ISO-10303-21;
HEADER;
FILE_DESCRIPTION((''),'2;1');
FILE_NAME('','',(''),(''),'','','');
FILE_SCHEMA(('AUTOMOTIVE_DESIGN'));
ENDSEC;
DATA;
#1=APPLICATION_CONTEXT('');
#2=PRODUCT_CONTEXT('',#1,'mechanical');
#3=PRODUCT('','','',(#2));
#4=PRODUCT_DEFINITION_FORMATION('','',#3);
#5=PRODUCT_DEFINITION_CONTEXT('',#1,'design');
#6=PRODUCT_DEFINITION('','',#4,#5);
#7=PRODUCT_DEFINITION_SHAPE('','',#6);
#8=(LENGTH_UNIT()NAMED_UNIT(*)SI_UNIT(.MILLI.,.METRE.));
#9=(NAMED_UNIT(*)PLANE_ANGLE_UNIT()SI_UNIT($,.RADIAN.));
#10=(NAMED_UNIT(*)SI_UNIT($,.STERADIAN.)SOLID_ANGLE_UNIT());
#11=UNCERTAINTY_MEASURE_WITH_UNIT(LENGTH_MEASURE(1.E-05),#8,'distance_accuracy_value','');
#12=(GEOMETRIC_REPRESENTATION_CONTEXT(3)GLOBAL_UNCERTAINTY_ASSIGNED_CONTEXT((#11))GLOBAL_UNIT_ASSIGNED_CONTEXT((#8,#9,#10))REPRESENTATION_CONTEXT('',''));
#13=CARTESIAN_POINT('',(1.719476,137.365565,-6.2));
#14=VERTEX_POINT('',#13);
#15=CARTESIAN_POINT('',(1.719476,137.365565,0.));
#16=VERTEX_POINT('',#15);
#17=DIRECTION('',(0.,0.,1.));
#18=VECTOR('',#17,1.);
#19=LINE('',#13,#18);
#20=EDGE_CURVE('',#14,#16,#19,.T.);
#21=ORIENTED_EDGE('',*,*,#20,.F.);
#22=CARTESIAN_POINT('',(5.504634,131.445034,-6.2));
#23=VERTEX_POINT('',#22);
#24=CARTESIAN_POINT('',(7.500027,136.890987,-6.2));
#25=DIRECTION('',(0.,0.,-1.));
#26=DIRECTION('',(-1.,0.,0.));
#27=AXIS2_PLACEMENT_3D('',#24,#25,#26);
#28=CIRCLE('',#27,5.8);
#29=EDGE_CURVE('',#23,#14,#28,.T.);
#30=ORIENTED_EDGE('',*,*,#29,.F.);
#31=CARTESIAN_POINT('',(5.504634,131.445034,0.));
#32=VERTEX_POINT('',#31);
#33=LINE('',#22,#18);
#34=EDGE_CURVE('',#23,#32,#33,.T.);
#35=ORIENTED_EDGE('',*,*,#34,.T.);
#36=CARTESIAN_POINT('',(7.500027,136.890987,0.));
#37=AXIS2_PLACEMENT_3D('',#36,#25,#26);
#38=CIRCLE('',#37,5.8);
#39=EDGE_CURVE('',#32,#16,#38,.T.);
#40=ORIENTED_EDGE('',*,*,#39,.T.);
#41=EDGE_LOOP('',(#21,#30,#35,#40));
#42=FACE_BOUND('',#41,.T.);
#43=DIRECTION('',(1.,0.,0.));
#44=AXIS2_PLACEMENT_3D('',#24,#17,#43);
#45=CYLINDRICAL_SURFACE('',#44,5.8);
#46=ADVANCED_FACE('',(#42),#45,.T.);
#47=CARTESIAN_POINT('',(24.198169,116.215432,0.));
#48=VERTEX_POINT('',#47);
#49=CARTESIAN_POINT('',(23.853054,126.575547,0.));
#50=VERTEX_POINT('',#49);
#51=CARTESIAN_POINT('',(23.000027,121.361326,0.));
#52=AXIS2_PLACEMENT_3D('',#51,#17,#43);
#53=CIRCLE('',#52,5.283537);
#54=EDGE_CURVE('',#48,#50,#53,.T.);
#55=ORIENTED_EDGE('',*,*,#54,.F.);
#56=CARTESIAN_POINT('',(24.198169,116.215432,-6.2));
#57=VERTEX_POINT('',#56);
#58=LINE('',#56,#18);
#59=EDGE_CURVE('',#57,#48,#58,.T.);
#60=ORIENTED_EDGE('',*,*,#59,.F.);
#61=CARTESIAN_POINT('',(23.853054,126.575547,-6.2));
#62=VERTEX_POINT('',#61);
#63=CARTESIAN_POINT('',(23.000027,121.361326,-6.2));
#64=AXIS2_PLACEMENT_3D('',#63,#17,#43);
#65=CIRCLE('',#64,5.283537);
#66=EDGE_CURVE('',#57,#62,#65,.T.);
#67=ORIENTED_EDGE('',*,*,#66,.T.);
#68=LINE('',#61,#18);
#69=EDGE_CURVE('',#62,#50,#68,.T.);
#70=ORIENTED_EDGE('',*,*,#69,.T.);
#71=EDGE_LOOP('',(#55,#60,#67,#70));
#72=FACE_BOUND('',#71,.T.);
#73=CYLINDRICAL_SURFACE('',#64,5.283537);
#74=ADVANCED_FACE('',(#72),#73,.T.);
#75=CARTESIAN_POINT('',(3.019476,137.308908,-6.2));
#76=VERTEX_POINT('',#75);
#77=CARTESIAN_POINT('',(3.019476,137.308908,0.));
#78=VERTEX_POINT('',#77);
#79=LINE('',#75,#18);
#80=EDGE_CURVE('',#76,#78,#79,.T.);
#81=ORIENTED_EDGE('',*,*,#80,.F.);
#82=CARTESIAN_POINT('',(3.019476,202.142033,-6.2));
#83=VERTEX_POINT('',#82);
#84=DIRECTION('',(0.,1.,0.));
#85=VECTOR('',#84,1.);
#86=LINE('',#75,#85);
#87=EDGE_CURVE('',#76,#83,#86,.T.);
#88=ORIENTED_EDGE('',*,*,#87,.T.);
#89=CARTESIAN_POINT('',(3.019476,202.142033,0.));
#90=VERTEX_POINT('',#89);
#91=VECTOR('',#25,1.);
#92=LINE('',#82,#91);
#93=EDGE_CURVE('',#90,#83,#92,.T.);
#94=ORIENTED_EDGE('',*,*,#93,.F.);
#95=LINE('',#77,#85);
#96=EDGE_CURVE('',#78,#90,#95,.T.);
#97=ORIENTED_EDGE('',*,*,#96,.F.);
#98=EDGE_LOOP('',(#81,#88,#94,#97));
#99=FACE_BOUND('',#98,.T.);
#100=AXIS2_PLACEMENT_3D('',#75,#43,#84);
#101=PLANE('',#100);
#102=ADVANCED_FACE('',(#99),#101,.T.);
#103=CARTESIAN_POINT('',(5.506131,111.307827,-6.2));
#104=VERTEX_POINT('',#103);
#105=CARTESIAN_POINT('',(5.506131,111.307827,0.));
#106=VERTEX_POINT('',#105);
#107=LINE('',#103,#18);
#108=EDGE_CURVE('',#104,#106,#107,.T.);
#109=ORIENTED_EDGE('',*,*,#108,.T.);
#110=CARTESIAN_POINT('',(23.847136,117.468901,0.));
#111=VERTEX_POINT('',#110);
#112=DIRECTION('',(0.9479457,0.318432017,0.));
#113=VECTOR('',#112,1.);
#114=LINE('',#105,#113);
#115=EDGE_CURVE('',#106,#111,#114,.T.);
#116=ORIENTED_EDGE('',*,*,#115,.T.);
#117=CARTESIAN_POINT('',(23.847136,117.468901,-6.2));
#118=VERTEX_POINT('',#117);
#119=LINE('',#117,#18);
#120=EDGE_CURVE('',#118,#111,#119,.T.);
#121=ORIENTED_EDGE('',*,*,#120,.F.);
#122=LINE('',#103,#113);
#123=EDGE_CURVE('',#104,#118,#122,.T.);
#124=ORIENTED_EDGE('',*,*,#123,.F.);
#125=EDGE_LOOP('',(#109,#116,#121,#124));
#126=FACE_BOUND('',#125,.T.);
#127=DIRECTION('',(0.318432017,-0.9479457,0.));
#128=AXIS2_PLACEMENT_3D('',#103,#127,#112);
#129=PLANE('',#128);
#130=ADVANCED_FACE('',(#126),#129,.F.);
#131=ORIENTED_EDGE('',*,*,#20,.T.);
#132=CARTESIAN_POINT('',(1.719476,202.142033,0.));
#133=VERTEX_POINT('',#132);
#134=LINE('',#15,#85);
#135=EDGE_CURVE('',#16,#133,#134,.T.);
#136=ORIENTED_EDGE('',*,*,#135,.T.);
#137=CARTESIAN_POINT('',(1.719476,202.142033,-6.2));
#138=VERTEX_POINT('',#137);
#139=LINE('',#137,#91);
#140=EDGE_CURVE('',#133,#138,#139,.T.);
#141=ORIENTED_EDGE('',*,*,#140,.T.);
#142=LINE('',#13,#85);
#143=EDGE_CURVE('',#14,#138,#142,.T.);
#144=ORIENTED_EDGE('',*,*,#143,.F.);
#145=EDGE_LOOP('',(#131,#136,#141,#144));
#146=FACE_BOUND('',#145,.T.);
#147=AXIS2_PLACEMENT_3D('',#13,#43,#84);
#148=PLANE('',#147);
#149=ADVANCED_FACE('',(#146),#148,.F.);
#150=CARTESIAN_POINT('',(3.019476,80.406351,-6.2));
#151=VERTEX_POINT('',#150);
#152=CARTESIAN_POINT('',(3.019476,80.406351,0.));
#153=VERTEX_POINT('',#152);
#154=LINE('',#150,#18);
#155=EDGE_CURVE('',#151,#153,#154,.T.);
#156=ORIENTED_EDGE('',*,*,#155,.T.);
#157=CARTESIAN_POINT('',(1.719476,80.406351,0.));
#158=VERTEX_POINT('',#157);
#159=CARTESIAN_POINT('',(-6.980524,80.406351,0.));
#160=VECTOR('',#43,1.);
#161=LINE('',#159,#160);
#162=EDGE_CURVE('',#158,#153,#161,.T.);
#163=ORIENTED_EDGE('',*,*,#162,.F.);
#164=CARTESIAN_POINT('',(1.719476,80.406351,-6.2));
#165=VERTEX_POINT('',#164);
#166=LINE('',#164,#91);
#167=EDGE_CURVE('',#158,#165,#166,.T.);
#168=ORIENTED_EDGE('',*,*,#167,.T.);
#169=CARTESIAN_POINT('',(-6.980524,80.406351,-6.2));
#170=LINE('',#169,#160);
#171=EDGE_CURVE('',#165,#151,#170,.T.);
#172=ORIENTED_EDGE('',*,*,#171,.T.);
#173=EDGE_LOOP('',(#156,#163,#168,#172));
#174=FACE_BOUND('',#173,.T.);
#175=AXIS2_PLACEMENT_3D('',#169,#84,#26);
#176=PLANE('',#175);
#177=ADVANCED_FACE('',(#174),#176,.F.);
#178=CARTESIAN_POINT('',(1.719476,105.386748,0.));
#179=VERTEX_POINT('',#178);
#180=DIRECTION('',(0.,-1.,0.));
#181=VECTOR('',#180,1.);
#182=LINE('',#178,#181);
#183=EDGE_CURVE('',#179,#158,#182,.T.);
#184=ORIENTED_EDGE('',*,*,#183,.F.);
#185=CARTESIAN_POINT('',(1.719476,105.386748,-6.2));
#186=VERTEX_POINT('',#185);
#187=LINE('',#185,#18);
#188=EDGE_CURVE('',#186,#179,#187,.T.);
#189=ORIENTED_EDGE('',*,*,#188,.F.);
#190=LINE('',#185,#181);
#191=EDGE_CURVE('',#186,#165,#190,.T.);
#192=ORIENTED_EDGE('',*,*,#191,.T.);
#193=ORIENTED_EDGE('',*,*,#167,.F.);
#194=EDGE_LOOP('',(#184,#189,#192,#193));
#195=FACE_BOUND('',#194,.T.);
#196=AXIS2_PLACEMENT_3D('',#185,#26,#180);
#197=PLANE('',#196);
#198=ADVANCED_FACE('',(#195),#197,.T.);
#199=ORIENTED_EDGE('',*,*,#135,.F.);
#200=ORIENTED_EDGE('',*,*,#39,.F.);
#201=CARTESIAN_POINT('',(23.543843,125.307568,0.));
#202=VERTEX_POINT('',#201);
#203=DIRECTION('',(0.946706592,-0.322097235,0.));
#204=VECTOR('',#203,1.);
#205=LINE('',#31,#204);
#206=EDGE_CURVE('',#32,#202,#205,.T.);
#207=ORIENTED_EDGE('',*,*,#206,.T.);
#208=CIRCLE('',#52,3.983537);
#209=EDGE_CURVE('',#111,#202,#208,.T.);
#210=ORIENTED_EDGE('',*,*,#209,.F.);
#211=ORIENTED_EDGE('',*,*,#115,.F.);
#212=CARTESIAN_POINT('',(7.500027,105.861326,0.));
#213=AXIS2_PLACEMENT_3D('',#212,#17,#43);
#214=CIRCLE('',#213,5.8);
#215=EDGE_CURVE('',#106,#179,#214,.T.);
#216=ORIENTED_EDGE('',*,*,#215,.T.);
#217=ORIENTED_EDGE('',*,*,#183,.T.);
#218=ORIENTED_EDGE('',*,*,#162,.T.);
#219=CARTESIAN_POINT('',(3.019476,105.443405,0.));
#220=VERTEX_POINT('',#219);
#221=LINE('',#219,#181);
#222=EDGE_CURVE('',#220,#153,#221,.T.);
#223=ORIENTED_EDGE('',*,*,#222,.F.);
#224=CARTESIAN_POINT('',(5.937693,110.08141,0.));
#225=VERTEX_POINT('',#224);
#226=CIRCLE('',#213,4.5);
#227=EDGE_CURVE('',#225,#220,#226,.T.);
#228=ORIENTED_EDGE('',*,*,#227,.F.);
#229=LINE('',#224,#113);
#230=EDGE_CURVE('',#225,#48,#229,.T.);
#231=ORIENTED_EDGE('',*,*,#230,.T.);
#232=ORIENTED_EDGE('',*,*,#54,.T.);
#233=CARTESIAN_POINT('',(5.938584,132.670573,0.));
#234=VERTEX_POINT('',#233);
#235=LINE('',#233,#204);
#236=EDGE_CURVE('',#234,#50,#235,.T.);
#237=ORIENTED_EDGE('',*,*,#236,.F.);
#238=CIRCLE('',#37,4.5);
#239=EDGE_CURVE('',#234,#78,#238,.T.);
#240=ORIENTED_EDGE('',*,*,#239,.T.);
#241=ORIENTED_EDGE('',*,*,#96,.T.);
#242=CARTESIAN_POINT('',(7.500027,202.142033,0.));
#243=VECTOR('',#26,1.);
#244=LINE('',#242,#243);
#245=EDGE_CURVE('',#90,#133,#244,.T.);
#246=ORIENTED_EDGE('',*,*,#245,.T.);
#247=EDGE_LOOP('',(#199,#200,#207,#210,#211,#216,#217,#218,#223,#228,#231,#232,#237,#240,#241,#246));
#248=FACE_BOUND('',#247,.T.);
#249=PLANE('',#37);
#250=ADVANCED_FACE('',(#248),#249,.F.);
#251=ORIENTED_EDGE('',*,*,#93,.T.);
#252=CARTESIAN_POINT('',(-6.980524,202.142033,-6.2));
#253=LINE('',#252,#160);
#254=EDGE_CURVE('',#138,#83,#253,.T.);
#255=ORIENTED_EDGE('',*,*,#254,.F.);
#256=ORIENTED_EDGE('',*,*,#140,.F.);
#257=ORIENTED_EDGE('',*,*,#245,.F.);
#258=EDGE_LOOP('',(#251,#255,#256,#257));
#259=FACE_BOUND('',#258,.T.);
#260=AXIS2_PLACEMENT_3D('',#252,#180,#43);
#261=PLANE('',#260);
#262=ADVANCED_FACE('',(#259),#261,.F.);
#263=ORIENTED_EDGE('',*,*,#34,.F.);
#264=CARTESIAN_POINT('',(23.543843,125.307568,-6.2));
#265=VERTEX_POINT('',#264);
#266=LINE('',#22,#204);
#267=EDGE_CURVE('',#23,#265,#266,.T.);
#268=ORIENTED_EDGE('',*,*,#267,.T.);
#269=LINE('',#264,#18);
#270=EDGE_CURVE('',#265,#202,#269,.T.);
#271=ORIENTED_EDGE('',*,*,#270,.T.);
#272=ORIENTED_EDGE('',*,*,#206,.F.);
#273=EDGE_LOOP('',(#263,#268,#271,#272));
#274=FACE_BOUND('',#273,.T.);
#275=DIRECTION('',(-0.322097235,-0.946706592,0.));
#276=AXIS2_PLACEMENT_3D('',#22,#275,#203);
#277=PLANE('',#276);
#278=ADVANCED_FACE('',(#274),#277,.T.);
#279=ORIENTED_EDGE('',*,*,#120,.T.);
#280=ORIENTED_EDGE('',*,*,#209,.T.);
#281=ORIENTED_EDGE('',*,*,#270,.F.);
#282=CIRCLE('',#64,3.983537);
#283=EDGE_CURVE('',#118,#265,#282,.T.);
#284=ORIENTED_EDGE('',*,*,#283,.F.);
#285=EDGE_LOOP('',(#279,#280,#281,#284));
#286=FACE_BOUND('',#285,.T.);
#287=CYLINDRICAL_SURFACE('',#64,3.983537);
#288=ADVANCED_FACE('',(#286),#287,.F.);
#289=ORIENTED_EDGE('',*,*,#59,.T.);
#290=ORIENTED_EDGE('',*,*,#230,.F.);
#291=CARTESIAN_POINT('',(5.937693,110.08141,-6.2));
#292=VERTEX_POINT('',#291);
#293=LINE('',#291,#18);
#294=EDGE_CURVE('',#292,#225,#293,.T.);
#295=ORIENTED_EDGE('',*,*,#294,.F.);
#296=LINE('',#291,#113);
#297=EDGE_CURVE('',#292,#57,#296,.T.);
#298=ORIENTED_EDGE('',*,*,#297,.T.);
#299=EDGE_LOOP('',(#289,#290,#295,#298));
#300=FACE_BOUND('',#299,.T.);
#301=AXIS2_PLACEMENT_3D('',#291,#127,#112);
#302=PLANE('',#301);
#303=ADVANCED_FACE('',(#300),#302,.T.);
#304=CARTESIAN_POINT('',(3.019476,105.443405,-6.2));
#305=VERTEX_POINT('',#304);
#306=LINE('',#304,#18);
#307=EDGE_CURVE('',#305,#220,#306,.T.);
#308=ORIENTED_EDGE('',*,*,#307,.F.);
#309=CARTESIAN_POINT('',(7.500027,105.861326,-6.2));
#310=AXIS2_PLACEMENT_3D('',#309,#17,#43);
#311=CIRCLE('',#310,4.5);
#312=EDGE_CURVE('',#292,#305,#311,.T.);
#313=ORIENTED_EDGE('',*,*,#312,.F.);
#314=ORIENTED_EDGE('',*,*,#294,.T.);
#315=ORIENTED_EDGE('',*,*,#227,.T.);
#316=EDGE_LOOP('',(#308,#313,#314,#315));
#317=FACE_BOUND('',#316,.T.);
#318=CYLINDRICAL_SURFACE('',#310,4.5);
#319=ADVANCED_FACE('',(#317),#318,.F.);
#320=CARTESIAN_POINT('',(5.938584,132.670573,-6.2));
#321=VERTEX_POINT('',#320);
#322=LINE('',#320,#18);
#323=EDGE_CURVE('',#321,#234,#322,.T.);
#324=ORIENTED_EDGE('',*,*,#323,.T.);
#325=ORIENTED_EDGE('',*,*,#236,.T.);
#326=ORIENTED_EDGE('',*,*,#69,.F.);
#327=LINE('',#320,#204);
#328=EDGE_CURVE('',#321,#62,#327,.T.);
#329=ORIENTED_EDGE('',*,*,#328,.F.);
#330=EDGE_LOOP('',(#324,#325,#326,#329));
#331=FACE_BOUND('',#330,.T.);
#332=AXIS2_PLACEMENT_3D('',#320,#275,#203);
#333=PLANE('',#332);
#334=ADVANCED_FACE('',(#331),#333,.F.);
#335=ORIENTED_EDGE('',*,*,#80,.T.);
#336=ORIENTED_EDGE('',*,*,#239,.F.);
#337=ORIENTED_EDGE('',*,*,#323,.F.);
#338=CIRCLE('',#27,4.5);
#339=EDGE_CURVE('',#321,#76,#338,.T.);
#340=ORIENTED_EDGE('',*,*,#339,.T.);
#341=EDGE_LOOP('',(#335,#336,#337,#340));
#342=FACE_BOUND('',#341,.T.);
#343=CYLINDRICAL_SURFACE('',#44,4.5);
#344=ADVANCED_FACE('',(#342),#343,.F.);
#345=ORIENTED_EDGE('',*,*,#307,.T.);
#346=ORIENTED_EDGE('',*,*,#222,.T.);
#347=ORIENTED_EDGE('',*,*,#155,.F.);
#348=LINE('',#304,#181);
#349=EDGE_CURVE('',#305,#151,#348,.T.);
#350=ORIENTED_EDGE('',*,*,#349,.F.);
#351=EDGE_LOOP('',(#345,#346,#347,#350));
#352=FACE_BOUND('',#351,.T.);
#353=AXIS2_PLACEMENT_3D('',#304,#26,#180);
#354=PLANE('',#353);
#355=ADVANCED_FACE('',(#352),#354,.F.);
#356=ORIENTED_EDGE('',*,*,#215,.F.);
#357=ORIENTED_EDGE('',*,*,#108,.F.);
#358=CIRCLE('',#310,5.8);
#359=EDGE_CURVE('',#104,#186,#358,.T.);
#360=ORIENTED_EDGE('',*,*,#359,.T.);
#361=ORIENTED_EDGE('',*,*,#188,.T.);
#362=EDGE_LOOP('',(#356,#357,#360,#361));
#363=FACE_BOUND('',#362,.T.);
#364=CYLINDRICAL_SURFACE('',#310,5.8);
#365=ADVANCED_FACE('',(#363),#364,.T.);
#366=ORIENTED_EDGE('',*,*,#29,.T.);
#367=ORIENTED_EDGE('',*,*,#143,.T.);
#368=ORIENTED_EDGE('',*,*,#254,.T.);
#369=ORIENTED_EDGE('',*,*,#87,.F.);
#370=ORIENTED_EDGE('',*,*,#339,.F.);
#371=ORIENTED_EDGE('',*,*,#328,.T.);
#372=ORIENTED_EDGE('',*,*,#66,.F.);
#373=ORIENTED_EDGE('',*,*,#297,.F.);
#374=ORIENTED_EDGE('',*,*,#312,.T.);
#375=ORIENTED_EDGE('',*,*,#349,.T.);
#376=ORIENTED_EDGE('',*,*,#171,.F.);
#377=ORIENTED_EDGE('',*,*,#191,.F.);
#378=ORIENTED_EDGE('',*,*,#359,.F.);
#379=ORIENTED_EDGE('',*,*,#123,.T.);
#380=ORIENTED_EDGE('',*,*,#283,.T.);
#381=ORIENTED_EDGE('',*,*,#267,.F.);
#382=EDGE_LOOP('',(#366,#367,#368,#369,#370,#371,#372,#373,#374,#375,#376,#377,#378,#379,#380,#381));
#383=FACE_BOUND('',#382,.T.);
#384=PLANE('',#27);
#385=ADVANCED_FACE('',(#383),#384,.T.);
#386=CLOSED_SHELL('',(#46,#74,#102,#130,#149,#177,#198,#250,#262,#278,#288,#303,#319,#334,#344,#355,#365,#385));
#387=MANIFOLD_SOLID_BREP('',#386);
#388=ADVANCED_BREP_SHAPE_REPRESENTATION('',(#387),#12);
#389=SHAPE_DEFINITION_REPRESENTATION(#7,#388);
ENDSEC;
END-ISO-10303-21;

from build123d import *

# Parameters (mm, degrees)
BOSS_EXTRUDE1_DEPTH = 6.2
SKETCH2_W           = 22.942955783
SKETCH2_H           = 33.63345143
CUT_EXTRUDE1_DEPTH  = 10
SKETCH3_W           = 6.2
SKETCH3_H           = 21.335576668
CUT_EXTRUDE2_DEPTH  = 10
SKETCH4_W           = 6.2
SKETCH4_H           = 34.092468675
CUT_EXTRUDE3_DEPTH  = 10


with BuildPart() as part:
    # Sketch1 → Boss-Extrude1 (new body)
    with BuildSketch(Plane.XY):
        with BuildLine():
            Line((5.938584497, 132.670572888), (23.853053602, 126.575547243))
            ThreePointArc((23.853053602, 126.575547243), (28.280634989, 121.537232872), (24.198169049, 116.215432378))
            Line((24.198169049, 116.215432378), (5.937692527, 110.081409755))
            ThreePointArc((5.937692527, 110.081409755), (3.69123593, 108.257803943), (3.019475766, 105.443404596))
            Line((3.019475766, 105.443404596), (3.019475766, 19.274702795))
            Line((3.019475766, 19.274702795), (1.719475766, 19.274702795))
            Line((1.719475766, 19.274702795), (1.719475766, 105.386747909))
            ThreePointArc((1.719475766, 105.386747909), (2.613791193, 108.9861771), (5.506131352, 111.307827159))
            Line((5.506131352, 111.307827159), (23.847136202, 117.468900696))
            ThreePointArc((23.847136202, 117.468900696), (26.980585626, 121.515340919), (23.543843406, 125.30756806))
            Line((23.543843406, 125.30756806), (5.504633735, 131.445034089))
            ThreePointArc((5.504633735, 131.445034089), (2.6133616, 133.766807499), (1.719475766, 137.365564846))
            Line((1.719475766, 137.365564846), (1.719475766, 223.477609961))
            Line((1.719475766, 223.477609961), (3.019475766, 223.477609961))
            Line((3.019475766, 223.477609961), (3.019475766, 137.30890816))
            ThreePointArc((3.019475766, 137.30890816), (3.691489205, 134.494106323), (5.938584497, 132.670572888))
        make_face()
    extrude(amount=-BOSS_EXTRUDE1_DEPTH)

    # Sketch2 → Cut-Extrude1 (cut)
    with BuildSketch(Plane.ZY.offset(-1.719475766)):
        with Locations((-7.178599834, 29.49715685)):
            Rectangle(SKETCH2_W, SKETCH2_H)
    extrude(amount=-CUT_EXTRUDE1_DEPTH, mode=Mode.SUBTRACT)

    # Sketch3 → Cut-Extrude2 (cut)
    with BuildSketch(Plane(origin=(3.019475766, 0, 0), x_dir=(0, 0, -1), z_dir=(1, 0, 0))):
        with Locations((3.1, 212.809821627)):
            Rectangle(SKETCH3_W, SKETCH3_H)
    extrude(amount=-CUT_EXTRUDE2_DEPTH, mode=Mode.SUBTRACT)

    # Sketch4 → Cut-Extrude3 (cut)
    with BuildSketch(Plane(origin=(3.019475766, 0, 0), x_dir=(0, 0, -1), z_dir=(1, 0, 0))):
        with Locations((3.1, 63.360116903)):
            Rectangle(SKETCH4_W, SKETCH4_H)
    extrude(amount=-CUT_EXTRUDE3_DEPTH, mode=Mode.SUBTRACT)


solid = part.part
